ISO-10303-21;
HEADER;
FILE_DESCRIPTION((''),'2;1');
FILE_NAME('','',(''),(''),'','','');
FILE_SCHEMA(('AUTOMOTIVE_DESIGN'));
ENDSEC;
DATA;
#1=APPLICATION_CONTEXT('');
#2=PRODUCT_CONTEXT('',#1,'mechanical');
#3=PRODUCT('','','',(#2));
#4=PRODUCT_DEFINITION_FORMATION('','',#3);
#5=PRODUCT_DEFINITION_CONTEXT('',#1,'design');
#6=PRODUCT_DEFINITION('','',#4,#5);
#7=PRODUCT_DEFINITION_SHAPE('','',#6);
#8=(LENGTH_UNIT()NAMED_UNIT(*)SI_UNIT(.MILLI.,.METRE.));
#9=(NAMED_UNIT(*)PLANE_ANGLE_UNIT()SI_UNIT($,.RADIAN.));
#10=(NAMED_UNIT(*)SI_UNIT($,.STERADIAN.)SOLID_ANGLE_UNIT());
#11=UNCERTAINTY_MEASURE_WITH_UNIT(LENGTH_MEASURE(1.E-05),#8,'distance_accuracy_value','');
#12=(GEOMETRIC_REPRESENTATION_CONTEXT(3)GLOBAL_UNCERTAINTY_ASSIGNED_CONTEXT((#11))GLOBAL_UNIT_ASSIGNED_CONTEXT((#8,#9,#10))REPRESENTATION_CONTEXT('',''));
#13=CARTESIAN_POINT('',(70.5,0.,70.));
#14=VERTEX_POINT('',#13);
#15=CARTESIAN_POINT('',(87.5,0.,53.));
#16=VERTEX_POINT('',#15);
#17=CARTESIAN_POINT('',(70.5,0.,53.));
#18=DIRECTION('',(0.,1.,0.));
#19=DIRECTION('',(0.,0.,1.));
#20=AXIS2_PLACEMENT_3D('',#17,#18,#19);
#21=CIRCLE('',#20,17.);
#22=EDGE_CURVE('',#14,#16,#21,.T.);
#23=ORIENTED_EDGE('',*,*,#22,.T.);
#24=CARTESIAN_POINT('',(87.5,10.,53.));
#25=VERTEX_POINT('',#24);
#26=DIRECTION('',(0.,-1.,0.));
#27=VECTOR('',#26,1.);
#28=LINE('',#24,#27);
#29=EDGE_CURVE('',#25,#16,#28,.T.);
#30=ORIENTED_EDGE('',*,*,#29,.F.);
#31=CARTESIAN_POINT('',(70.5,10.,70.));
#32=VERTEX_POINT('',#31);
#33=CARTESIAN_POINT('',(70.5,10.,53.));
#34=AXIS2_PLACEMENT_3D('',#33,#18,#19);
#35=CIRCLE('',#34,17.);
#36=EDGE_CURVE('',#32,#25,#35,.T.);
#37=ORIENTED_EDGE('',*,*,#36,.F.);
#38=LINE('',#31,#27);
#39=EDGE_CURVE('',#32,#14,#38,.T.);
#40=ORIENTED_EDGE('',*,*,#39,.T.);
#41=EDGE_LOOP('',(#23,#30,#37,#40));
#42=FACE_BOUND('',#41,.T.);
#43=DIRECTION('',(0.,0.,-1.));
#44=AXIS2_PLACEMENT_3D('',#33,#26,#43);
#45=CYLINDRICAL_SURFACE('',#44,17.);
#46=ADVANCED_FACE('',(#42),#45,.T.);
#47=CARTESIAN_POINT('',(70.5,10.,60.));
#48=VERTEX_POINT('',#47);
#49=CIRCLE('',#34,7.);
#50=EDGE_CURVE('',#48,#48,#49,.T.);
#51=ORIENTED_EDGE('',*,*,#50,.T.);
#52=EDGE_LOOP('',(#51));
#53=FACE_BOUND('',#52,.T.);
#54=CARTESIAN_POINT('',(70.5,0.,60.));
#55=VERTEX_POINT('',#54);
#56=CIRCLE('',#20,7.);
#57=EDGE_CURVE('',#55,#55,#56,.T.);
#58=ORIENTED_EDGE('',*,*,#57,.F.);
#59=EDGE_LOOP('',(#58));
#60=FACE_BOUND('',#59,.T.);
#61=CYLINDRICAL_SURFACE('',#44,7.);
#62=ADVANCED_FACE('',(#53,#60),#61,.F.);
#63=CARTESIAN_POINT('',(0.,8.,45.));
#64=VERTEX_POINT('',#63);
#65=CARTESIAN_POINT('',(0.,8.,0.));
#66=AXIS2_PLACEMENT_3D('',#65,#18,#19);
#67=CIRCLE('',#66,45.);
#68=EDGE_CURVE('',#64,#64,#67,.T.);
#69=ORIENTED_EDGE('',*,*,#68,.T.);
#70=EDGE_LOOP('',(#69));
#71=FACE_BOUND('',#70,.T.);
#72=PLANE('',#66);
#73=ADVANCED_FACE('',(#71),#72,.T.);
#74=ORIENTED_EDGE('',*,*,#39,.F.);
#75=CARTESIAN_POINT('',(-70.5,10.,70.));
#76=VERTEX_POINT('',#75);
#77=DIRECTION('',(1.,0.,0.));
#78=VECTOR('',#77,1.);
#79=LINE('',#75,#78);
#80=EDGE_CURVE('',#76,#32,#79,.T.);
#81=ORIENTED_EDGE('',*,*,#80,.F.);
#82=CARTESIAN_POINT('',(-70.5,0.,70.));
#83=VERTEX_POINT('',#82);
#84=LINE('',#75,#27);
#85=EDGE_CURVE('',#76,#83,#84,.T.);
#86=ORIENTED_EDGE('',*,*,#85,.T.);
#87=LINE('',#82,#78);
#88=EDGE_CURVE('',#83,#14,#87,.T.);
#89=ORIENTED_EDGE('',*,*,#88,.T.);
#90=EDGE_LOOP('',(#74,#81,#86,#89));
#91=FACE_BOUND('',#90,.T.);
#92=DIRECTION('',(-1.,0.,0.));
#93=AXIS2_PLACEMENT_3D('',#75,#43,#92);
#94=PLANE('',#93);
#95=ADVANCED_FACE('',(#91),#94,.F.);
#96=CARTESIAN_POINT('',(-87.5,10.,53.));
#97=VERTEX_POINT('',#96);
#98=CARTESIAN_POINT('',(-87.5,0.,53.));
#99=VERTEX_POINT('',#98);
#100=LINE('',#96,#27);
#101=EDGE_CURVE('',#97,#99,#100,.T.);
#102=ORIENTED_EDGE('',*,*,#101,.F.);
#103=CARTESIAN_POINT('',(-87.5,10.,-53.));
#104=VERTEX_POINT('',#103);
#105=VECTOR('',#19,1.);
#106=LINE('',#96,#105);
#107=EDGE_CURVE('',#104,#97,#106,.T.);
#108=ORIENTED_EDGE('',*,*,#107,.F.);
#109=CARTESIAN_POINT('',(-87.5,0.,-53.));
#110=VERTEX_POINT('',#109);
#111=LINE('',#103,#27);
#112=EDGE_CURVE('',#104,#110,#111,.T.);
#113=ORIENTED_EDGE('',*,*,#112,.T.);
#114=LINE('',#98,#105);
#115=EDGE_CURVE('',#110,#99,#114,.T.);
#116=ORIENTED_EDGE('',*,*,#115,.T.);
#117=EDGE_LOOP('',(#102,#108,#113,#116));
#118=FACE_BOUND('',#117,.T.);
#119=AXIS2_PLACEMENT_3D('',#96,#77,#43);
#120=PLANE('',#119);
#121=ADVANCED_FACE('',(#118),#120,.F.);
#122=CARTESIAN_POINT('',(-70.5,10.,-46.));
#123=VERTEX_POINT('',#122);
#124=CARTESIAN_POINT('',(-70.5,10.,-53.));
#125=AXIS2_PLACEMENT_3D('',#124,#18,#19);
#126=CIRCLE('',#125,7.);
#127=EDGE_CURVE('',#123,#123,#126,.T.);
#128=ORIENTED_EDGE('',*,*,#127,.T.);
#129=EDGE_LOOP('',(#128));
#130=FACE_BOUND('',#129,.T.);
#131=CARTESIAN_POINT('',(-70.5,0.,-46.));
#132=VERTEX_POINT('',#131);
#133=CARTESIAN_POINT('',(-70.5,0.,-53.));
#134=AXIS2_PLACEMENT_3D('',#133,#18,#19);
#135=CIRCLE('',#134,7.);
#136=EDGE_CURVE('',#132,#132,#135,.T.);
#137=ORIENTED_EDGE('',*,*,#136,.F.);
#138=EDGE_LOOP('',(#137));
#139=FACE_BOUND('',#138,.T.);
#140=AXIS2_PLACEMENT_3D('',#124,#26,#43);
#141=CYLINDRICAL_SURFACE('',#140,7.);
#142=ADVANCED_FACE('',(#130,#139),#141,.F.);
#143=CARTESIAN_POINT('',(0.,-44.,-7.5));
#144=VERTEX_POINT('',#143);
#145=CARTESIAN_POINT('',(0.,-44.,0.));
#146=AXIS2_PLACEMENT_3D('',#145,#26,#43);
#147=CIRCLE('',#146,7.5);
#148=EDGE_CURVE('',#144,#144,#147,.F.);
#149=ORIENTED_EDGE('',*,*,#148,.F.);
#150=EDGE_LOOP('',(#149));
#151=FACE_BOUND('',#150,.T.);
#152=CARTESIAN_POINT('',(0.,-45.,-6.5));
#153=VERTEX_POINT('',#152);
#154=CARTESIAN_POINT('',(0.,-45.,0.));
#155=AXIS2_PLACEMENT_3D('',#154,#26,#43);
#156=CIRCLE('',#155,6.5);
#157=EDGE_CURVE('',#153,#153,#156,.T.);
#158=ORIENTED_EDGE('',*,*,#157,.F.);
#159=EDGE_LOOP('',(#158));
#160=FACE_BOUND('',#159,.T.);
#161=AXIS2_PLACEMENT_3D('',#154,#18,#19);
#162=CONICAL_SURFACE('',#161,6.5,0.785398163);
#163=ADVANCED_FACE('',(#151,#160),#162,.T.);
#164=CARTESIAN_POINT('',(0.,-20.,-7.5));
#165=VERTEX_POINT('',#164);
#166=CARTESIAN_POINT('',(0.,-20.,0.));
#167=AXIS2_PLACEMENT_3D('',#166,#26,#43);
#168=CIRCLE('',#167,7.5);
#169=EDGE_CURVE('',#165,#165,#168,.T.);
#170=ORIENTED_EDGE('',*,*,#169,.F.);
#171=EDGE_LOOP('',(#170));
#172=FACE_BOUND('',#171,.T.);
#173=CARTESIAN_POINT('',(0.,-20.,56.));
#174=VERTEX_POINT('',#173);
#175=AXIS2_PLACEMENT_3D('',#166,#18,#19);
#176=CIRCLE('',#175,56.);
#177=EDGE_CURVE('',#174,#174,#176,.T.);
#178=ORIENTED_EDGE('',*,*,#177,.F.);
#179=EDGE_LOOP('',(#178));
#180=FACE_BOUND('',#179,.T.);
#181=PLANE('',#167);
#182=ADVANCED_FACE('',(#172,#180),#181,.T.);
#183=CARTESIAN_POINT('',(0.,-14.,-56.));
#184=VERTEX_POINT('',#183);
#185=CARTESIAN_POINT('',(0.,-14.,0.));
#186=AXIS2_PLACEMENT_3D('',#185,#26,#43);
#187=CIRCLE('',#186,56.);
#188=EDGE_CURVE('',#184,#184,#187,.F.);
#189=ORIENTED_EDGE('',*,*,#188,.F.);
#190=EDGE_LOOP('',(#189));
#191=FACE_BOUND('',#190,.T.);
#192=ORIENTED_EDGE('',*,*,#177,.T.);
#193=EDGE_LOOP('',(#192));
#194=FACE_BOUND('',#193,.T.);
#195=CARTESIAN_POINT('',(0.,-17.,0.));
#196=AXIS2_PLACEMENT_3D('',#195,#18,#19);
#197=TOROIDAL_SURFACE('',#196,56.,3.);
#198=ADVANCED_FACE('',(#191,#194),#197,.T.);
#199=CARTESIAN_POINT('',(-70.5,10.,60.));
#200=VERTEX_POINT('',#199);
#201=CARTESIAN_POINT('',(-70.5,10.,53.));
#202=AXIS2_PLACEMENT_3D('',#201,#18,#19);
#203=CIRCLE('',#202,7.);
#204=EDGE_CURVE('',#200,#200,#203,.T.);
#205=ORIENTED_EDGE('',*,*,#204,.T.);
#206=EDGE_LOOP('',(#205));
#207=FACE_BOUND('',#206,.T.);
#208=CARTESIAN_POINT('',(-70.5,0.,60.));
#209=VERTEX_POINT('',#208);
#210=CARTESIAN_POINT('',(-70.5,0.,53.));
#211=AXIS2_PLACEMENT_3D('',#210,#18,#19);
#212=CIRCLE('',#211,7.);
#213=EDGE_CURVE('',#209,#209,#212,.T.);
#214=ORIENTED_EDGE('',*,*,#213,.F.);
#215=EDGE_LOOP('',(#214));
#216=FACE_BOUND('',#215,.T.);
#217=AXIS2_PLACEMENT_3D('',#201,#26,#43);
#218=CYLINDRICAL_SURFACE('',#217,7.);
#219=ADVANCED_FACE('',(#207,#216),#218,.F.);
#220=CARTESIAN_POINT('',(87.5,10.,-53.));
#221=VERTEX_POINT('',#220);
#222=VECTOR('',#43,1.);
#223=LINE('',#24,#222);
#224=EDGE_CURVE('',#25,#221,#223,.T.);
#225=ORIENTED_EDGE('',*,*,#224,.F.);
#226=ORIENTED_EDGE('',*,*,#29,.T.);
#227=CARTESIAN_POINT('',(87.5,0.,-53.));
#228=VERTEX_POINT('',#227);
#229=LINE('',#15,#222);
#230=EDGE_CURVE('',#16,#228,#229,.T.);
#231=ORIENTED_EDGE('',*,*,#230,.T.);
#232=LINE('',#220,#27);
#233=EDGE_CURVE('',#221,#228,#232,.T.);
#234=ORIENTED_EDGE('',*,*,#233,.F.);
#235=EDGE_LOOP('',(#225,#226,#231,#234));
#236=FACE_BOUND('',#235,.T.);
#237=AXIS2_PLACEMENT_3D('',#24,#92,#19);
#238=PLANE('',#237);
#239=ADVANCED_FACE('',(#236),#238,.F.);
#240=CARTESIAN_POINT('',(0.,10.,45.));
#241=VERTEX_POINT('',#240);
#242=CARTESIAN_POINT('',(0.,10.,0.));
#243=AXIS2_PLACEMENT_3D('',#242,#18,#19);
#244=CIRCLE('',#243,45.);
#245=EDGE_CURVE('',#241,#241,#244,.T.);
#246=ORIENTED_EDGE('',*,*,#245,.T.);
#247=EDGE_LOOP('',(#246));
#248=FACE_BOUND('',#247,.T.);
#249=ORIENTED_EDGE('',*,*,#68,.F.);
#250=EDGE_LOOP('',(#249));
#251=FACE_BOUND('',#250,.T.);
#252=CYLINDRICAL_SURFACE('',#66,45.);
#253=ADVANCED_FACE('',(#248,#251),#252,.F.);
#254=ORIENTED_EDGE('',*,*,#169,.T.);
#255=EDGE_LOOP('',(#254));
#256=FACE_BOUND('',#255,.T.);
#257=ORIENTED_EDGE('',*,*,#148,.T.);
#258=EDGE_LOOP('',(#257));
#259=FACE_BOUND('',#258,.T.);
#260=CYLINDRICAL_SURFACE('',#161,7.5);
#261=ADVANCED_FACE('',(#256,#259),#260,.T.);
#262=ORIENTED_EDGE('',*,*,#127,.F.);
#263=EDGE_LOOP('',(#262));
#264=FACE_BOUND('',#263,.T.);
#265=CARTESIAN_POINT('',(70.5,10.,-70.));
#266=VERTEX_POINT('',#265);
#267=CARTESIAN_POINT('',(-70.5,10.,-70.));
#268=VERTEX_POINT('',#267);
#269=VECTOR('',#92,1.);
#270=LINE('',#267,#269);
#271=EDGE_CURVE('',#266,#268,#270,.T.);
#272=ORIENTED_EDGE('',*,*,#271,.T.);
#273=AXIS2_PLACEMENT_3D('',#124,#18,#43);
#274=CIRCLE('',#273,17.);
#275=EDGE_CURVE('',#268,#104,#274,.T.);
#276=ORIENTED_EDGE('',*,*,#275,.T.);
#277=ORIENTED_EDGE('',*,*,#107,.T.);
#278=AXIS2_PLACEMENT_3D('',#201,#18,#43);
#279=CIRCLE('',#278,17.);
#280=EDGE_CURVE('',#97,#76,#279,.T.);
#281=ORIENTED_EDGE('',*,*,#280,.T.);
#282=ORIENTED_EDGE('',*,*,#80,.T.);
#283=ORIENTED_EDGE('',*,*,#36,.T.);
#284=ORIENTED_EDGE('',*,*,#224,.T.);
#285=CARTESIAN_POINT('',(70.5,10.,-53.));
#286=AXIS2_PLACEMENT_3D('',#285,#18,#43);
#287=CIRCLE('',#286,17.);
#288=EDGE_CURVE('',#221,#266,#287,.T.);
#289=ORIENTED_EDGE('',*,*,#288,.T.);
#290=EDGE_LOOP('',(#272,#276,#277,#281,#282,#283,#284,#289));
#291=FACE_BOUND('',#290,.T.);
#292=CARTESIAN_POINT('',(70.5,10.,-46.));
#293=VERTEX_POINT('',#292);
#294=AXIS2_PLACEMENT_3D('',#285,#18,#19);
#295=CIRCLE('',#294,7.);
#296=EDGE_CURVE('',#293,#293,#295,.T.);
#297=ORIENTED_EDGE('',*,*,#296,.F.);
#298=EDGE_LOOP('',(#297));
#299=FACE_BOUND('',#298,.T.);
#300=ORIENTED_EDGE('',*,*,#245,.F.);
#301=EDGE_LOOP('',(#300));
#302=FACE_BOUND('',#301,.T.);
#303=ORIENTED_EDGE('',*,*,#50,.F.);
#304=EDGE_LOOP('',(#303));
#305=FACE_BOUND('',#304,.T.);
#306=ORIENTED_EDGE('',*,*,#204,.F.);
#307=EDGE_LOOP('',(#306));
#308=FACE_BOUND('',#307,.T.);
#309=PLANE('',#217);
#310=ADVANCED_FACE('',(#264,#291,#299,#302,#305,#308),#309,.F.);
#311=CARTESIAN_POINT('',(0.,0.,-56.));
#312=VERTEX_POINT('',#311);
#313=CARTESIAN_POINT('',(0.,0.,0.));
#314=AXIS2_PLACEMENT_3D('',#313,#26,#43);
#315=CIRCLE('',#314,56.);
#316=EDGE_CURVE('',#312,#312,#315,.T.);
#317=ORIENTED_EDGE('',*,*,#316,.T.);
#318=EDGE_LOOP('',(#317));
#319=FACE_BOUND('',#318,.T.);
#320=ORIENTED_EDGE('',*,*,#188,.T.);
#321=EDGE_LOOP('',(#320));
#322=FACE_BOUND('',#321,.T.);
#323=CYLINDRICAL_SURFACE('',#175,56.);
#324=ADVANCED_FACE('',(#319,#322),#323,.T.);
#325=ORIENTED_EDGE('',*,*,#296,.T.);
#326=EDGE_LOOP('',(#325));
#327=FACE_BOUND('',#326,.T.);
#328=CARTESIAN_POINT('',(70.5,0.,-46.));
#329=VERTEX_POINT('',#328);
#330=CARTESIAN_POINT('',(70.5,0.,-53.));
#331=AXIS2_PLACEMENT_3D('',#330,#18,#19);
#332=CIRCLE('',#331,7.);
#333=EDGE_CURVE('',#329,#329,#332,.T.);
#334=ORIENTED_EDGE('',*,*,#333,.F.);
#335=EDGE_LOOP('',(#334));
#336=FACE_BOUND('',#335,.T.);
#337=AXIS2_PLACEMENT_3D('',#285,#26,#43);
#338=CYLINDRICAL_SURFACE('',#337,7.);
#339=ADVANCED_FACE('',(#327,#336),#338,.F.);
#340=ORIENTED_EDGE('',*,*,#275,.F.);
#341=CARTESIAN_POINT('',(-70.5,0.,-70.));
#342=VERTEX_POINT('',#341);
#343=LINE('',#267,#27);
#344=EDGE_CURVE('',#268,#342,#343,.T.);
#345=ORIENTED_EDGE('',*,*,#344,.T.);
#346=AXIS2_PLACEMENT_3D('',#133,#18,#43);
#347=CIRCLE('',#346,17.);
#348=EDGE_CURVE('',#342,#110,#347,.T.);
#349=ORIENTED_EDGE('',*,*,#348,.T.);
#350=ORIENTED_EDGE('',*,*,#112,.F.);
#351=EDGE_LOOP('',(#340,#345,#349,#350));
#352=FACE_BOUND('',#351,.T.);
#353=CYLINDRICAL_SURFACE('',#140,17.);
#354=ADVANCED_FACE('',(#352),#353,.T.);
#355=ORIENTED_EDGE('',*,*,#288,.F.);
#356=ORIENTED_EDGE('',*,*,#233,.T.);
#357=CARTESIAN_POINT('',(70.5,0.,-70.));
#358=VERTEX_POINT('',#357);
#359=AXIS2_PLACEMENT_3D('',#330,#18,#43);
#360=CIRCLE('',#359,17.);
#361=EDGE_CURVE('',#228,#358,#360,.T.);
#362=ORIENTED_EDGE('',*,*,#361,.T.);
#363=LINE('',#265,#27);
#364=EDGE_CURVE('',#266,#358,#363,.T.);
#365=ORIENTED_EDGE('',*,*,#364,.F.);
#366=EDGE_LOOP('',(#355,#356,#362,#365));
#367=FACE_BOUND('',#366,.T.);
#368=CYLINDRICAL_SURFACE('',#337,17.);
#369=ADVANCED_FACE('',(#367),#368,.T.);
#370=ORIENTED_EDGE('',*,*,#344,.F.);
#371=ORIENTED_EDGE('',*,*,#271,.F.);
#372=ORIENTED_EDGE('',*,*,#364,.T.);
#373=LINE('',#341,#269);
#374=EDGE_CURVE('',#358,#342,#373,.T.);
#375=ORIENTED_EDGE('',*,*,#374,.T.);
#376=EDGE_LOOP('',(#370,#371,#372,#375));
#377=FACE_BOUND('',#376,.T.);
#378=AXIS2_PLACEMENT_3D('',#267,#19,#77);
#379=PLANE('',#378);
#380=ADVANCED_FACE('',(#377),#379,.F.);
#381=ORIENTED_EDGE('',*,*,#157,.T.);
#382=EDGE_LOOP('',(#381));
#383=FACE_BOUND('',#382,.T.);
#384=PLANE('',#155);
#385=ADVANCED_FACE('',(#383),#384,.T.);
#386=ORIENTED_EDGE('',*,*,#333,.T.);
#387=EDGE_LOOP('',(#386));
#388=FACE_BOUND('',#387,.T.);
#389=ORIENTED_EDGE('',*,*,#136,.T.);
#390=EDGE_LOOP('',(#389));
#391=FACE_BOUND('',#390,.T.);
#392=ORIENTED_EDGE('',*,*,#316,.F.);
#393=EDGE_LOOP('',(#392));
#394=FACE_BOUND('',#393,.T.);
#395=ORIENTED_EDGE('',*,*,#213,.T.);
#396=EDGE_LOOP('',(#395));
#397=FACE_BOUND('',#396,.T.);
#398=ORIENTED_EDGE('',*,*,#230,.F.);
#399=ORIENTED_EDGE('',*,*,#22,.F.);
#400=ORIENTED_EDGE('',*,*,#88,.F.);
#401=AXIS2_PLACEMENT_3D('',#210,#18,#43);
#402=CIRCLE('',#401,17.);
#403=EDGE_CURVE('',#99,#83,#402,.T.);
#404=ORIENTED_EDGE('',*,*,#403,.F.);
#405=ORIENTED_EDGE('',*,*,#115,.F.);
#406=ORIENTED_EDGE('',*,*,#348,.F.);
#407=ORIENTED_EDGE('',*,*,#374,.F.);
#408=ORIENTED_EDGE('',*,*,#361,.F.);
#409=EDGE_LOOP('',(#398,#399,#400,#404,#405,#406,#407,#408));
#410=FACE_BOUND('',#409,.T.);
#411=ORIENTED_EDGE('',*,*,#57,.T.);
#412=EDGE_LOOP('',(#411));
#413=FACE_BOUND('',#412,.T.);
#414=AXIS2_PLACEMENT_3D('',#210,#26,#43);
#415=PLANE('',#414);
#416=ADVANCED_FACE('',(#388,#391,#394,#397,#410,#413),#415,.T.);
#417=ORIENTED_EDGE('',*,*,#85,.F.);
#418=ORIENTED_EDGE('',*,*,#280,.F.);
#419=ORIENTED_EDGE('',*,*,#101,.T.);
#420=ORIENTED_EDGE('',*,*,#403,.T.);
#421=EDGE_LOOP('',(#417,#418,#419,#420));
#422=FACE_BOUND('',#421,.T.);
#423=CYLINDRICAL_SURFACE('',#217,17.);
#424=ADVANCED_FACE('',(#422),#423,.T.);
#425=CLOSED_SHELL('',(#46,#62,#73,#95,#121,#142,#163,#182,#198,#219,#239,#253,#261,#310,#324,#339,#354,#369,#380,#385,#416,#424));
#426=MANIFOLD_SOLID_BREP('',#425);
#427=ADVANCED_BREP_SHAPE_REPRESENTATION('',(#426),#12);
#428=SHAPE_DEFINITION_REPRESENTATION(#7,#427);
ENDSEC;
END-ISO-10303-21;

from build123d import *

# Parameters (mm, degrees)
SKETCH1_R           = 7
BOSS_EXTRUDE1_DEPTH = 10
SKETCH2_R           = 45
CUT_EXTRUDE1_DEPTH  = 2
SKETCH3_R           = 56
BOSS_EXTRUDE2_DEPTH = 20
SKETCH4_R           = 3
SKETCH5_R           = 7.5
BOSS_EXTRUDE3_DEPTH = 25
CHAMFER1_SIZE       = 1


with BuildPart() as part:
    # Sketch1 → Boss-Extrude1 (new body)
    with BuildSketch(Plane(origin=(0, 0, 0), x_dir=(1, 0, 0), z_dir=(0, 1, 0))):
        with BuildLine():
            Line((-70.5, -70), (70.5, -70))
            ThreePointArc((70.5, -70), (82.52081528, -65.02081528), (87.5, -53))
            Line((87.5, -53), (87.5, 53))
            ThreePointArc((87.5, 53), (82.52081528, 65.02081528), (70.5, 70))
            Line((70.5, 70), (-70.5, 70))
            ThreePointArc((-70.5, 70), (-82.52081528, 65.02081528), (-87.5, 53))
            Line((-87.5, 53), (-87.5, -53))
            ThreePointArc((-87.5, -53), (-82.52081528, -65.02081528), (-70.5, -70))
        make_face()
        with Locations((70.5, -53)):
            Circle(SKETCH1_R, mode=Mode.SUBTRACT)
        with Locations((70.5, 53)):
            Circle(SKETCH1_R, mode=Mode.SUBTRACT)
        with Locations((-70.5, 53)):
            Circle(SKETCH1_R, mode=Mode.SUBTRACT)
        with Locations((-70.5, -53)):
            Circle(SKETCH1_R, mode=Mode.SUBTRACT)
    extrude(amount=BOSS_EXTRUDE1_DEPTH)

    # Sketch2 → Cut-Extrude1 (cut)
    with BuildSketch(Plane(origin=(0, 10, 0), x_dir=(1, 0, 0), z_dir=(0, 1, 0))):
        Circle(SKETCH2_R)
    extrude(amount=-CUT_EXTRUDE1_DEPTH, mode=Mode.SUBTRACT)

    # Sketch3 → Boss-Extrude2 (add)
    with BuildSketch(Plane.XZ):
        Circle(SKETCH3_R)
    extrude(amount=BOSS_EXTRUDE2_DEPTH)

    # Sketch4 → Revolve1 (revolve)
    with BuildSketch(Plane(origin=(0, 0, 0), x_dir=(0, 0, -1), z_dir=(1, 0, 0))):
        with Locations((-56, -17)):
            Circle(SKETCH4_R)
    revolve(axis=Axis((0, 0, 0), (0, -1, 0)))

    # Sketch5 → Boss-Extrude3 (add)
    with BuildSketch(Plane.XZ.offset(20)):
        Circle(SKETCH5_R)
    extrude(amount=BOSS_EXTRUDE3_DEPTH)

    # Chamfer1
    chamfer1_edges = [part.edges().sort_by_distance(p)[0] for p in [
        (-7.5, -45, 0),
    ]]
    chamfer(chamfer1_edges, length=CHAMFER1_SIZE)


solid = part.part
